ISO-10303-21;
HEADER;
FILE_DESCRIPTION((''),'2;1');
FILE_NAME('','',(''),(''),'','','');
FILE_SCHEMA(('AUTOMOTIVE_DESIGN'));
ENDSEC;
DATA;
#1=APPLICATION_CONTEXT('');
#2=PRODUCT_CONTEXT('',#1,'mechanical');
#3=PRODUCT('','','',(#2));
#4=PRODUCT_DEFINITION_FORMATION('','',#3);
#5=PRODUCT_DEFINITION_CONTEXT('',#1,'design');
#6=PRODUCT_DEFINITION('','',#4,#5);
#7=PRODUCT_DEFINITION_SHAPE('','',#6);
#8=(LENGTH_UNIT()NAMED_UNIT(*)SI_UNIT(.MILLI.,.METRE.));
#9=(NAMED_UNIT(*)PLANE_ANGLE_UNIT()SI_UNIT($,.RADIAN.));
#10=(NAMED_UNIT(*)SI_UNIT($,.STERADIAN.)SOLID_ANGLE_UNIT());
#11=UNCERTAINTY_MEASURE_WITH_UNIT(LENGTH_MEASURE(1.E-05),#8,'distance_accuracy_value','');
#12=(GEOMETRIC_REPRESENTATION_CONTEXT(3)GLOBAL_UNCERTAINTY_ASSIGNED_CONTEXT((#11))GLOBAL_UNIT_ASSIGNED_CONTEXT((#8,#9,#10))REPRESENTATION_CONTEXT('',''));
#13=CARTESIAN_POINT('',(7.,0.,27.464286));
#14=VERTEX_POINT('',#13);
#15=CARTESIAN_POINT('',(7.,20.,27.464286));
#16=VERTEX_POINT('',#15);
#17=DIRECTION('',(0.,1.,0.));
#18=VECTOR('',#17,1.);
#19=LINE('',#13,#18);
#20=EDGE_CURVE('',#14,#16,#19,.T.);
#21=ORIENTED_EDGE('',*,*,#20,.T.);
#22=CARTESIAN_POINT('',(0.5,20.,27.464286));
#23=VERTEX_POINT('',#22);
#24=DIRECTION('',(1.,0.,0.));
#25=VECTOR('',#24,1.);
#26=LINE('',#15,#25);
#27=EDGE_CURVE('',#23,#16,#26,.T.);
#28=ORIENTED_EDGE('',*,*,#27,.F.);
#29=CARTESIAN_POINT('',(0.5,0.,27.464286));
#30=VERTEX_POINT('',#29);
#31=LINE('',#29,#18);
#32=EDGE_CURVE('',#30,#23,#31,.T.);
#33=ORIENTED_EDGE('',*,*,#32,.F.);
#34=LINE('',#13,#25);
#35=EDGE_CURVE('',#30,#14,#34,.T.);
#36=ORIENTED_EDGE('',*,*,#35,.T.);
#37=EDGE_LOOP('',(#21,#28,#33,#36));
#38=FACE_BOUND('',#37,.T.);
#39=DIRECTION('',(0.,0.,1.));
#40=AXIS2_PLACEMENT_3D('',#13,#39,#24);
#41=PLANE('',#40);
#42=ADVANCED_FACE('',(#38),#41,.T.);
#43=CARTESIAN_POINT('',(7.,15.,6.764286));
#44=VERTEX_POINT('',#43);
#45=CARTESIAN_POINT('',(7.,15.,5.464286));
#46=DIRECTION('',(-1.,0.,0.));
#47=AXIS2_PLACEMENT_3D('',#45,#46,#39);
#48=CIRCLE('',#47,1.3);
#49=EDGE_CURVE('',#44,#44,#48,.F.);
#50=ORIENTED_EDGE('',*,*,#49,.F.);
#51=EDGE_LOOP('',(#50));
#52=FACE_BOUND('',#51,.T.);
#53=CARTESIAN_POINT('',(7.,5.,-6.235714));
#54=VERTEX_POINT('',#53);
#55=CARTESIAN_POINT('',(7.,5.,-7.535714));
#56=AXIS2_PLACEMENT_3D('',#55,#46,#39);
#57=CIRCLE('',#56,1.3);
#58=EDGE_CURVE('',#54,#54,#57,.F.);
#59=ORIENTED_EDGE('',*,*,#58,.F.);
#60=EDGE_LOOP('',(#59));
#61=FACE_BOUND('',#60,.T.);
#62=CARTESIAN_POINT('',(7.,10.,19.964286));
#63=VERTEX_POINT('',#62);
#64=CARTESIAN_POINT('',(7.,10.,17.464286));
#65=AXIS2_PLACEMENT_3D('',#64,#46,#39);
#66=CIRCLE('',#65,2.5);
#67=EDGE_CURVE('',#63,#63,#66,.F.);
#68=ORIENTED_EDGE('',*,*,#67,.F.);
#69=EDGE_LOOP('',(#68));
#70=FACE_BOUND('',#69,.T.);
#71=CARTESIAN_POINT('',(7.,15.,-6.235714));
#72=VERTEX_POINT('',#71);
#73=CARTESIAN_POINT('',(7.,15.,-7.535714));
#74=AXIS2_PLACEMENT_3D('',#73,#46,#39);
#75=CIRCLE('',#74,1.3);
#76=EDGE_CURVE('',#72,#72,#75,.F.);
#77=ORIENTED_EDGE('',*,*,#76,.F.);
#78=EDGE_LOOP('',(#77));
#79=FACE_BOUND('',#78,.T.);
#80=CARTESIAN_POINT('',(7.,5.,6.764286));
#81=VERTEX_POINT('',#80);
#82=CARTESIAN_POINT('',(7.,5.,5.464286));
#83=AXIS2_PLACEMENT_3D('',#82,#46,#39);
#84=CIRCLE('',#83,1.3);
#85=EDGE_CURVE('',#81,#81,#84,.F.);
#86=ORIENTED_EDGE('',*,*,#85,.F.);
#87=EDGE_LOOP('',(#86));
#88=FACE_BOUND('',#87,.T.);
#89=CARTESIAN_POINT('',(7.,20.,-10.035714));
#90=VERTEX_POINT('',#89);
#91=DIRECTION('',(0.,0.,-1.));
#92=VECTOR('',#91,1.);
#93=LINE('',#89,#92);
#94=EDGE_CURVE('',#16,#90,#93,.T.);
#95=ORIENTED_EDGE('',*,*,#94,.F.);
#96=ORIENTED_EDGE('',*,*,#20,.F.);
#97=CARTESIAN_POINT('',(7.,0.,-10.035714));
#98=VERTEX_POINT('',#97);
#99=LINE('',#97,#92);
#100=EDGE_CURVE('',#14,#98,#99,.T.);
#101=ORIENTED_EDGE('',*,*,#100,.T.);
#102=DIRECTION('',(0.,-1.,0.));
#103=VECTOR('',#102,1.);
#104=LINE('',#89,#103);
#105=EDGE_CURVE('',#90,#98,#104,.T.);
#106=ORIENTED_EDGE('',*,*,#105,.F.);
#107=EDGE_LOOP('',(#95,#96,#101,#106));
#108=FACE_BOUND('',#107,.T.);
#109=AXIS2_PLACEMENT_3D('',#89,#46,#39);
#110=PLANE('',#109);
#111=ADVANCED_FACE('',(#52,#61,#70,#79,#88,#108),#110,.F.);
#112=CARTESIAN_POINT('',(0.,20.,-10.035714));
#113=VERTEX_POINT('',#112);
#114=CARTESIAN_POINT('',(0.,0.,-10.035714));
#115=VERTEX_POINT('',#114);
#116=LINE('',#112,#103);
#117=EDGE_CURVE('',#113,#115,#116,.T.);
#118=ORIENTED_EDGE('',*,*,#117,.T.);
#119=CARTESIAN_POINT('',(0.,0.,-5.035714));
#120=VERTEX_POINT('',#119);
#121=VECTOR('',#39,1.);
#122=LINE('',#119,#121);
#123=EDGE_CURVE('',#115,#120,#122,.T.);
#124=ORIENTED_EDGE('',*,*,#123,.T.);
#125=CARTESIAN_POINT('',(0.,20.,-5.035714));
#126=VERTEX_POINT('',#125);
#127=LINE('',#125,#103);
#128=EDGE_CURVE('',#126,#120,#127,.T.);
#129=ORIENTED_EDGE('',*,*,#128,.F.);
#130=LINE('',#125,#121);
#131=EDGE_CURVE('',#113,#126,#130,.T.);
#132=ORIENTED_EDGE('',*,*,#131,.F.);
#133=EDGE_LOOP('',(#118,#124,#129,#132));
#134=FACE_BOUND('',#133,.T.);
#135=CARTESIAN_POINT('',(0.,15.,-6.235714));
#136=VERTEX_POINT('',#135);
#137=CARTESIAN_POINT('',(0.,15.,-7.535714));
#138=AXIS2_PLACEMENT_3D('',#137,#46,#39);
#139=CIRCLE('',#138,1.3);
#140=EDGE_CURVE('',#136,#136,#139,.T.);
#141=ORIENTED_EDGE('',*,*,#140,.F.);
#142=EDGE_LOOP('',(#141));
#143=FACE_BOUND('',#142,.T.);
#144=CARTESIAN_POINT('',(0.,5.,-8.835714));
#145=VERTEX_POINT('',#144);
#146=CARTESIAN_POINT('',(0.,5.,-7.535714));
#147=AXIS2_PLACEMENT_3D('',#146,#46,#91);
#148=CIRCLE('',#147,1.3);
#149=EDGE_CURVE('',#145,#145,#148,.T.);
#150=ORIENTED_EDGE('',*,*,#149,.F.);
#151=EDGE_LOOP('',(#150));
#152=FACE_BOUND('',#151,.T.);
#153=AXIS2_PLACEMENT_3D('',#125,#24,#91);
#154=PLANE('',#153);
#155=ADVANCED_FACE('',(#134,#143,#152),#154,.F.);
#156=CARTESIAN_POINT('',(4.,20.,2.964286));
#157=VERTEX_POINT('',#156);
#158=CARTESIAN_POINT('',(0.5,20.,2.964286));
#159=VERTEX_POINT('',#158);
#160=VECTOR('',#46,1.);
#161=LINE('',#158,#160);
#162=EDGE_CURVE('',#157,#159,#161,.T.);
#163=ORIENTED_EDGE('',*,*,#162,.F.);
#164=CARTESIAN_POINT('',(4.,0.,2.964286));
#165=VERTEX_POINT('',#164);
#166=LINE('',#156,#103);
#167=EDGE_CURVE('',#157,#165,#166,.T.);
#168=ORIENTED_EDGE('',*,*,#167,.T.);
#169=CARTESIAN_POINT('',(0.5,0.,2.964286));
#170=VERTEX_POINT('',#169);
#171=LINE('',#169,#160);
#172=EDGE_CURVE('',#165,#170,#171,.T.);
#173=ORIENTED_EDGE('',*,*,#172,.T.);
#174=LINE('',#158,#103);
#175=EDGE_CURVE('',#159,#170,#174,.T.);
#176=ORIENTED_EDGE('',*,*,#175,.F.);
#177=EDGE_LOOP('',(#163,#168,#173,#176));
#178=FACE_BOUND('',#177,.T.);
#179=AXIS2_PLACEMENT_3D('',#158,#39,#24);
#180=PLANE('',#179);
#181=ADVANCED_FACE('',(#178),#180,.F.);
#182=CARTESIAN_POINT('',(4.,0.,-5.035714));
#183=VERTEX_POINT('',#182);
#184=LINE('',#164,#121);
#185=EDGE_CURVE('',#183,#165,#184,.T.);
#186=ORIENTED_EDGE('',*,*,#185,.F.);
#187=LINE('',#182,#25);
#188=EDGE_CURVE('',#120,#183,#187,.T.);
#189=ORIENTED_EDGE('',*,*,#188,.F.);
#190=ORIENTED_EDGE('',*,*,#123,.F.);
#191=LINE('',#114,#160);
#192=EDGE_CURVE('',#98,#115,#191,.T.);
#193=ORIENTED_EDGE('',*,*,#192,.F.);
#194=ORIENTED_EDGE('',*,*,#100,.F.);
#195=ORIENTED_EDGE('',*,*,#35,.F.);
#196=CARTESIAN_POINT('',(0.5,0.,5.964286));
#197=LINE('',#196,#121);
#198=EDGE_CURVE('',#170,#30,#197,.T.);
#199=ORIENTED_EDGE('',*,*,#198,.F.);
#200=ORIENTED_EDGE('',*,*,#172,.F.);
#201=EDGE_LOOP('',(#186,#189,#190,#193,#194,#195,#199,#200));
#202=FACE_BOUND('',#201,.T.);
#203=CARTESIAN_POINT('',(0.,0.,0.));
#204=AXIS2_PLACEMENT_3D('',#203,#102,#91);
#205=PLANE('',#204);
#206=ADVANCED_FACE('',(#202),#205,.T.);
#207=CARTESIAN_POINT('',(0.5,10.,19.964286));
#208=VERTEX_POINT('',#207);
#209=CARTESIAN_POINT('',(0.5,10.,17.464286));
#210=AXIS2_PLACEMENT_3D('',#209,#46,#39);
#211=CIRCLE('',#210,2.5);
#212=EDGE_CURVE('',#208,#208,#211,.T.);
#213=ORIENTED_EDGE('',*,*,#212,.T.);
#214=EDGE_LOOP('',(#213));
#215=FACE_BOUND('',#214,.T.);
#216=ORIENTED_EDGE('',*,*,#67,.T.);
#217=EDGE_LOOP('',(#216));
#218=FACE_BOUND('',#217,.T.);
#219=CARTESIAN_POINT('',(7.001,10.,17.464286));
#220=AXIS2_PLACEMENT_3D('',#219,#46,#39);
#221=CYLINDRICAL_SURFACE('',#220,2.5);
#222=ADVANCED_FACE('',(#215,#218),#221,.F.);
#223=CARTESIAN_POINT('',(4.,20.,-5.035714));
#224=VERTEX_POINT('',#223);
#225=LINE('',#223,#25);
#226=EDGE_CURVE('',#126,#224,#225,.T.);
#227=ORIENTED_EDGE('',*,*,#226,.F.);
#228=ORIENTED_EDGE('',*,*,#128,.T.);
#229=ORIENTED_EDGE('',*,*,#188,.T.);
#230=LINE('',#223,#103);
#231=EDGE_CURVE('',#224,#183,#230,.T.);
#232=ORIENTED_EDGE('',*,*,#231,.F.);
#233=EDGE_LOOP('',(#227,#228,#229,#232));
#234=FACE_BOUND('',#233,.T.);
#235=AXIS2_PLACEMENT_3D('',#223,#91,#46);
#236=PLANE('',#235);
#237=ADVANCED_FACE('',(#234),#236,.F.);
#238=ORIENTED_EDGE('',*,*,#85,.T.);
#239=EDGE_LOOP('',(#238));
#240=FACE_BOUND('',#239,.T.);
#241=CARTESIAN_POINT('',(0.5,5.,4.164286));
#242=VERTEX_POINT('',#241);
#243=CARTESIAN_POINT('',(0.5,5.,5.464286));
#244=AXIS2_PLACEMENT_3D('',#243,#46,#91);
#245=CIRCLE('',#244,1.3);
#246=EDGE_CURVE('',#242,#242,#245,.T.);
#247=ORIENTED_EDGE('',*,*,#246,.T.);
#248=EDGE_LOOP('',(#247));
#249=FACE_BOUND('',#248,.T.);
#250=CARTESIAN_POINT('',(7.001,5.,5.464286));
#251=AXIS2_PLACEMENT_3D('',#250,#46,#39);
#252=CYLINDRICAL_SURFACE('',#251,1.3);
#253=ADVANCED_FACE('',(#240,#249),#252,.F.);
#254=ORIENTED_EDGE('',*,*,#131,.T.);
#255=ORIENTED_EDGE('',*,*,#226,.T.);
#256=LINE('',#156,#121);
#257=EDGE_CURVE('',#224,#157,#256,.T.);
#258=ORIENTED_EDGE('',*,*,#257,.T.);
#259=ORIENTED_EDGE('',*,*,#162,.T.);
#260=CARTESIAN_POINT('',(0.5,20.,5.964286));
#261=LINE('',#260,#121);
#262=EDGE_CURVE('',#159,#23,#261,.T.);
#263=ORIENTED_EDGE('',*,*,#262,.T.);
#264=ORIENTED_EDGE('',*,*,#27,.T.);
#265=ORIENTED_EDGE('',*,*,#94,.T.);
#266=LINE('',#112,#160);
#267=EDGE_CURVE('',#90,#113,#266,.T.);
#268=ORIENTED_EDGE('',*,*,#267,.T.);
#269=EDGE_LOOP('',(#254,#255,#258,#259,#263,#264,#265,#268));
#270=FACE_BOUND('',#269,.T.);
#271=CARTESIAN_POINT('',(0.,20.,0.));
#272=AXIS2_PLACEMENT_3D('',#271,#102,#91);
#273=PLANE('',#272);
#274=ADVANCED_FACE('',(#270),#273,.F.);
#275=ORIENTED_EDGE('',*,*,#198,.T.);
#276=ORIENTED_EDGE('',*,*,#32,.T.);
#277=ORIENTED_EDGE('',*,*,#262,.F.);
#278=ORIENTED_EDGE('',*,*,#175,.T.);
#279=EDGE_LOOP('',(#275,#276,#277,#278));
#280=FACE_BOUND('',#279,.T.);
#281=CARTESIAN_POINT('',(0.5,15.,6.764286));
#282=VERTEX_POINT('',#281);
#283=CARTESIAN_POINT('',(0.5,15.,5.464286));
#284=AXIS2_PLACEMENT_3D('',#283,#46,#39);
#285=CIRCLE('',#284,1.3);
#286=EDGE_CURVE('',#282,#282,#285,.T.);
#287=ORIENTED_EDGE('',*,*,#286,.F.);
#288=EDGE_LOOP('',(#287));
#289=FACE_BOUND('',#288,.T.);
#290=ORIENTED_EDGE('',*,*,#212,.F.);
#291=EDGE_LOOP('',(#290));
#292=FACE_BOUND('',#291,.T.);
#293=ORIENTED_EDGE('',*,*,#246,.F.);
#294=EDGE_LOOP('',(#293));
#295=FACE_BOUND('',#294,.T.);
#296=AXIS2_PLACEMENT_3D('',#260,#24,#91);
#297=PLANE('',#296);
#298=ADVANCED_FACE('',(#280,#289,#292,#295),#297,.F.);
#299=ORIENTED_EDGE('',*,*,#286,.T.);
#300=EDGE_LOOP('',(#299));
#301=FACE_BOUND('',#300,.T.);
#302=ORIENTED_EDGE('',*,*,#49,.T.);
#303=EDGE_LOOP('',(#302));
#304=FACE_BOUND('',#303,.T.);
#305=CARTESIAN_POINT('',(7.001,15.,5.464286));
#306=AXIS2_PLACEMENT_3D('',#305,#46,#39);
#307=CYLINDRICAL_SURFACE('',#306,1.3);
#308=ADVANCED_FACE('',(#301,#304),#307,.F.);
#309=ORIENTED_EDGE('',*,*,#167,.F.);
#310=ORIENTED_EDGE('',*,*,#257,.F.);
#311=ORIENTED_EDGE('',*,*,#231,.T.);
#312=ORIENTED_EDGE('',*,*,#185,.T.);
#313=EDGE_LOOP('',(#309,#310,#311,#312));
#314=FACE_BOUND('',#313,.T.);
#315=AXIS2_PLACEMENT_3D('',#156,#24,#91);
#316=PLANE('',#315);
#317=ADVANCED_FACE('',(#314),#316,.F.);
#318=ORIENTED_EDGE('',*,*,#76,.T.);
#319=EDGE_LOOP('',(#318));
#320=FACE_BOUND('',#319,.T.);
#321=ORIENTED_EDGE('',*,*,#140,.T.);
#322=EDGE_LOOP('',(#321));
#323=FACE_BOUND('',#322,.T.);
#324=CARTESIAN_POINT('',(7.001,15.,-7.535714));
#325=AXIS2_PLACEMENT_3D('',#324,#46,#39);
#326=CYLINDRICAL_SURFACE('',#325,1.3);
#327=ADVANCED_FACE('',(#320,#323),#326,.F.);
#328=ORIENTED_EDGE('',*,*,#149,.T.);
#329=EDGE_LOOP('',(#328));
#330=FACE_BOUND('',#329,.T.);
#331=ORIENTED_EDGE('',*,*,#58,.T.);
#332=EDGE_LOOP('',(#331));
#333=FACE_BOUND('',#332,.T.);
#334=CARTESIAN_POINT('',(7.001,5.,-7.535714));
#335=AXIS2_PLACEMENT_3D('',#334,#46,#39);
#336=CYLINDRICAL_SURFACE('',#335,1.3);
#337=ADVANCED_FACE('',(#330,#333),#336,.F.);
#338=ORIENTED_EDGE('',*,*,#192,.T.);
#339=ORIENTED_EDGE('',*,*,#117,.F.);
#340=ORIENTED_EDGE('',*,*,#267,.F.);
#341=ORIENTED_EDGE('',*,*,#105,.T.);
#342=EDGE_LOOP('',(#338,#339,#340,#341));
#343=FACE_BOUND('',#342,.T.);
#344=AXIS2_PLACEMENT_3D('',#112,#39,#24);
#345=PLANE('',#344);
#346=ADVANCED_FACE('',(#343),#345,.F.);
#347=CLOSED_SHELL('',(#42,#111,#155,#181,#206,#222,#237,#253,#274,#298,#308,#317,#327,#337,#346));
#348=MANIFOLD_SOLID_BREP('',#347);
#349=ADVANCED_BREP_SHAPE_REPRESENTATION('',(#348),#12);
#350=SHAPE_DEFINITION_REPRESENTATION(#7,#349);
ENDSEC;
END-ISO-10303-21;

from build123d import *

# Parameters (mm, degrees)
BOSS_EXTRUDE1_DEPTH = 20
CUT_EXTRUDE1_REACH  = 25.446
SKETCH2_R           = 1.3
SKETCH4_W           = 6.5
SKETCH4_H           = 21.5
BOSS_EXTRUDE2_DEPTH = 20
CUT_EXTRUDE2_REACH  = 36.591
SKETCH6_R           = 1.3
CUT_EXTRUDE3_REACH  = 36.591
SKETCH7_R           = 2.5


with BuildPart() as part:
    # Sketch1 → Boss-Extrude1 (new body)
    with BuildSketch(Plane(origin=(0, 0, 0), x_dir=(-1, 0, 0), z_dir=(0, 1, 0))):
        Polygon((0, -5.035714286), (0, -10.035714286), (-7, -10.035714286), (-7, 5.964285714), (-0.5, 5.964285714), (-0.5, 2.964285714), (-4, 2.964285714), (-4, -5.035714286), align=None)
    extrude(amount=BOSS_EXTRUDE1_DEPTH)

    # Sketch2 → Cut-Extrude1 (cut, up to next)
    with BuildSketch(Plane(origin=(0, 0, 0), x_dir=(0, -1, 0), z_dir=(-1, 0, 0)), mode=Mode.PRIVATE) as cut_extrude1_sk1:
        with Locations(Location((-15, -7.535714286, 0), (0, 0, 90))):
            Circle(SKETCH2_R)
    cut_extrude1_tool1 = extrude(cut_extrude1_sk1.sketch, amount=-CUT_EXTRUDE1_REACH, mode=Mode.PRIVATE) & part.part
    # Sketch2 → Cut-Extrude1 (cut, up to next)
    with BuildSketch(Plane(origin=(0, 0, 0), x_dir=(0, -1, 0), z_dir=(-1, 0, 0)), mode=Mode.PRIVATE) as cut_extrude1_sk2:
        with Locations(Location((-5, -7.535714286, 0), (0, 0, 90))):
            Circle(SKETCH2_R)
    cut_extrude1_tool2 = extrude(cut_extrude1_sk2.sketch, amount=-CUT_EXTRUDE1_REACH, mode=Mode.PRIVATE) & part.part
    add(cut_extrude1_tool1.solids().sort_by_distance((0, 15, -7.535714))[0], mode=Mode.SUBTRACT)
    add(cut_extrude1_tool2.solids().sort_by_distance((0, 5, -7.535714))[0], mode=Mode.SUBTRACT)

    # Sketch4 → Boss-Extrude2 (add)
    with BuildSketch(Plane(origin=(0, 20, 0), x_dir=(-1, 0, 0), z_dir=(0, 1, 0))):
        with Locations((-3.75, 16.714285714)):
            Rectangle(SKETCH4_W, SKETCH4_H)
    extrude(amount=-BOSS_EXTRUDE2_DEPTH)

    # Sketch6 → Cut-Extrude2 (cut, up to next)
    with BuildSketch(Plane(origin=(0.5, 0, 0), x_dir=(0, -1, 0), z_dir=(-1, 0, 0)), mode=Mode.PRIVATE) as cut_extrude2_sk1:
        with Locations(Location((-15, 5.464285714, 0), (0, 0, 90))):
            Circle(SKETCH6_R)
    cut_extrude2_tool1 = extrude(cut_extrude2_sk1.sketch, amount=-CUT_EXTRUDE2_REACH, mode=Mode.PRIVATE) & part.part
    # Sketch6 → Cut-Extrude2 (cut, up to next)
    with BuildSketch(Plane(origin=(0.5, 0, 0), x_dir=(0, -1, 0), z_dir=(-1, 0, 0)), mode=Mode.PRIVATE) as cut_extrude2_sk2:
        with Locations(Location((-5, 5.464285714, 0), (0, 0, 90))):
            Circle(SKETCH6_R)
    cut_extrude2_tool2 = extrude(cut_extrude2_sk2.sketch, amount=-CUT_EXTRUDE2_REACH, mode=Mode.PRIVATE) & part.part
    add(cut_extrude2_tool1.solids().sort_by_distance((0.5, 15, 5.464286))[0], mode=Mode.SUBTRACT)
    add(cut_extrude2_tool2.solids().sort_by_distance((0.5, 5, 5.464286))[0], mode=Mode.SUBTRACT)

    # Sketch7 → Cut-Extrude3 (cut, up to next)
    with BuildSketch(Plane(origin=(0.5, 0, 0), x_dir=(0, -1, 0), z_dir=(-1, 0, 0)), mode=Mode.PRIVATE) as cut_extrude3_sk1:
        with Locations(Location((-10, 17.464285714, 0), (0, 0, 90))):
            Circle(SKETCH7_R)
    cut_extrude3_tool1 = extrude(cut_extrude3_sk1.sketch, amount=-CUT_EXTRUDE3_REACH, mode=Mode.PRIVATE) & part.part
    add(cut_extrude3_tool1.solids().sort_by_distance((0.5, 10, 17.464286))[0], mode=Mode.SUBTRACT)


solid = part.part
